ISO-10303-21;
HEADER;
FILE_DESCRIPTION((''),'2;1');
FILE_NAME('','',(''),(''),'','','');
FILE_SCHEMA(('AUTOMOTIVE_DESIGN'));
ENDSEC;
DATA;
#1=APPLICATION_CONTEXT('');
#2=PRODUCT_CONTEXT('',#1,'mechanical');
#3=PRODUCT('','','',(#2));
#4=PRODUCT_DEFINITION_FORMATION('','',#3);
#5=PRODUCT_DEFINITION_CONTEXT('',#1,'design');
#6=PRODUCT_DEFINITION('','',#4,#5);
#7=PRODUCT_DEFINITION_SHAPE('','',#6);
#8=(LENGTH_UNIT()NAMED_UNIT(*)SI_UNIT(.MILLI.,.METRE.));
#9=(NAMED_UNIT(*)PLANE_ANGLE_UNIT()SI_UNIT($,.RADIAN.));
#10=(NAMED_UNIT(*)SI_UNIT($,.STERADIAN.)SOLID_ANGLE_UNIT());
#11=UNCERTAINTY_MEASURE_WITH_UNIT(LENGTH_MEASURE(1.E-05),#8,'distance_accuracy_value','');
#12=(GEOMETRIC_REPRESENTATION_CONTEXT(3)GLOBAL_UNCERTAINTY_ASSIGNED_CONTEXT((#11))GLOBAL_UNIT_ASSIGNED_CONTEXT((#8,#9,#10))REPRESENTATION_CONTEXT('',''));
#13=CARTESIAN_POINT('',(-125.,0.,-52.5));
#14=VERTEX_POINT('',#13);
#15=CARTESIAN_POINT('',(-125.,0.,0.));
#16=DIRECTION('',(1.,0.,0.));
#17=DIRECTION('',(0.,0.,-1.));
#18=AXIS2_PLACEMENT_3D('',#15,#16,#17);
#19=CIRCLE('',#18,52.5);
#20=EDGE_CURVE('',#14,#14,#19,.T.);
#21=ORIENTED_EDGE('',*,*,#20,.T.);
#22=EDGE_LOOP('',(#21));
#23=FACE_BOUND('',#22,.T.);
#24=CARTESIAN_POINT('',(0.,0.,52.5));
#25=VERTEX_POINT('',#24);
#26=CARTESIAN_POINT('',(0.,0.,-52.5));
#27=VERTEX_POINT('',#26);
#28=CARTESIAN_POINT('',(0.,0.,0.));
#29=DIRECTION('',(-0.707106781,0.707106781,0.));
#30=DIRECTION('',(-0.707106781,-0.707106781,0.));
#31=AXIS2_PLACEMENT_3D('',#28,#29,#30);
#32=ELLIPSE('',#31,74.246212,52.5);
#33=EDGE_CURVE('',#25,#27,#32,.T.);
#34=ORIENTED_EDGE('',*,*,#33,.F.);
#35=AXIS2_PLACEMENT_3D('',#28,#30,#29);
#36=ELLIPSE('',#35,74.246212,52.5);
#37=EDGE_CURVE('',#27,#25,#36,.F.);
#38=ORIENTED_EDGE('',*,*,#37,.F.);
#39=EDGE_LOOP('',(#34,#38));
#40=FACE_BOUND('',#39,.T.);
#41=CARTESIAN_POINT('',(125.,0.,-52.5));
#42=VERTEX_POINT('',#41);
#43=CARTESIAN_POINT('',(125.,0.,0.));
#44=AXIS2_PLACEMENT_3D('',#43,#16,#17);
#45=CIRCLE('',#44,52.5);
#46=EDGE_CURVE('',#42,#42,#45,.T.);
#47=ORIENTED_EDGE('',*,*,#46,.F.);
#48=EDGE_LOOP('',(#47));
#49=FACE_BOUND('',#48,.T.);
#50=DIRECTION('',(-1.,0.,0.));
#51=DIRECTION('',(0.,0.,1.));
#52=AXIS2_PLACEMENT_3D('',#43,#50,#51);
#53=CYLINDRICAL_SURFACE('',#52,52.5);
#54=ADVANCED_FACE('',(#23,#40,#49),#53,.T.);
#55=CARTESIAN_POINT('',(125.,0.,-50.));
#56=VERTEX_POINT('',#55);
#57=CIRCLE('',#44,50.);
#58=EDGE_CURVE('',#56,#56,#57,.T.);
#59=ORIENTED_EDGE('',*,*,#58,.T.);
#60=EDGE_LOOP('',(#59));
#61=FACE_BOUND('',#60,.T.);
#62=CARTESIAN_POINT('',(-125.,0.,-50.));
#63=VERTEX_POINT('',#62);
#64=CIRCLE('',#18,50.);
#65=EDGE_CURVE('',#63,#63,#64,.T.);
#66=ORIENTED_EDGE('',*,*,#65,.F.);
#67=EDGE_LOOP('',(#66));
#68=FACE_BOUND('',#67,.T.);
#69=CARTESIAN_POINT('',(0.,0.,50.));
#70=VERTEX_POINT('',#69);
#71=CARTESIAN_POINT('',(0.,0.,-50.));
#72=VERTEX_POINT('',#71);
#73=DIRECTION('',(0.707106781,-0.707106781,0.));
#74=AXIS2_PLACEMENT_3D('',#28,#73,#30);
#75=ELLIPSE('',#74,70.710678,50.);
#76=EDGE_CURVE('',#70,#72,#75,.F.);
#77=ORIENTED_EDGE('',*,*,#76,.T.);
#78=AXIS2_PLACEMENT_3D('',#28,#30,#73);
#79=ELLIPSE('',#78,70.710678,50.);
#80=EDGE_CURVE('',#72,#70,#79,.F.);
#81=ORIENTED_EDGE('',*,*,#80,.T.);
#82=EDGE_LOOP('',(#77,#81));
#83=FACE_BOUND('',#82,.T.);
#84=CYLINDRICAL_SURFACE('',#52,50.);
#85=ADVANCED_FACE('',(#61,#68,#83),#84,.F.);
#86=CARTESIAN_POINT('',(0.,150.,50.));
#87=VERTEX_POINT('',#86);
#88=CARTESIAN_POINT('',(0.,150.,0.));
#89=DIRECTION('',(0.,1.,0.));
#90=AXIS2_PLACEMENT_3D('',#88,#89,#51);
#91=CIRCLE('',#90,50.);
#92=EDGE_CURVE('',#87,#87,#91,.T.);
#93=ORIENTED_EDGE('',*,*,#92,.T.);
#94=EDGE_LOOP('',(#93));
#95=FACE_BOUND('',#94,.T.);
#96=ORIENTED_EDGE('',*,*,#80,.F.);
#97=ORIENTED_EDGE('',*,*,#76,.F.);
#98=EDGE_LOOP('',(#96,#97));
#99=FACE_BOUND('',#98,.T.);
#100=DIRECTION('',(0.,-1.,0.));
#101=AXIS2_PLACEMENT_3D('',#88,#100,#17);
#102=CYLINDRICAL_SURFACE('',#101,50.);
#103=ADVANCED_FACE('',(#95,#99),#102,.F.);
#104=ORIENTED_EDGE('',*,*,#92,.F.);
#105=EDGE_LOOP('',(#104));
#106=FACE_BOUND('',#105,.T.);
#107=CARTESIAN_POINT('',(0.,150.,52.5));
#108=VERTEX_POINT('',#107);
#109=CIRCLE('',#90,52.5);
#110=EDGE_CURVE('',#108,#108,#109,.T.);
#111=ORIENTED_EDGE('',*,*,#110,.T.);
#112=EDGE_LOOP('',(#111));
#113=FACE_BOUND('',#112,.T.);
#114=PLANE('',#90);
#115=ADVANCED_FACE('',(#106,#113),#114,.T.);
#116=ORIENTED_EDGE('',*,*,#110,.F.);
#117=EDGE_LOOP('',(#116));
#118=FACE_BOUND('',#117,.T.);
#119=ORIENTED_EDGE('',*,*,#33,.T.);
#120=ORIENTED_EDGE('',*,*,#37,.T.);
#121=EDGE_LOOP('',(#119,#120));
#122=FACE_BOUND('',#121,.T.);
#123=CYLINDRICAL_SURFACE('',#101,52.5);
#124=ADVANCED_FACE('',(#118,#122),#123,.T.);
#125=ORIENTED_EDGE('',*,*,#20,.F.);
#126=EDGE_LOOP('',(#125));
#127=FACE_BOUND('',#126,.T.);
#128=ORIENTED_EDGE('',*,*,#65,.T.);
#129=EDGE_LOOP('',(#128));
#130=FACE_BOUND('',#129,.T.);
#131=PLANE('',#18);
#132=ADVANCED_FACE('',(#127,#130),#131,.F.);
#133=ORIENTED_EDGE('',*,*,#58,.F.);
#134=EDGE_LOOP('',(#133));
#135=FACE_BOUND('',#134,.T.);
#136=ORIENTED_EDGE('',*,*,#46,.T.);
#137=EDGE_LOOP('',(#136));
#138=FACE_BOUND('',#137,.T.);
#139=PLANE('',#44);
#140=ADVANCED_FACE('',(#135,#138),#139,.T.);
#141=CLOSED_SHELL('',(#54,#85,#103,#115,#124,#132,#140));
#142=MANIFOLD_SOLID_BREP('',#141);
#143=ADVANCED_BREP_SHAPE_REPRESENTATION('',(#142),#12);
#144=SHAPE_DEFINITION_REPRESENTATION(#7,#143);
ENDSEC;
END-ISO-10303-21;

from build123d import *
from build123d.topology import SkipClean

# Parameters (mm, degrees)
SKETCH1_R           = 52.5
SKETCH1_R_2         = 50
BOSS_EXTRUDE1_DEPTH = 125
SKETCH2_R           = 52.5
SKETCH2_R_2         = 50
BOSS_EXTRUDE2_DEPTH = 150
CUT_EXTRUDE1_REACH  = 245.696
SKETCH3_R           = 50
SKETCH6_R           = 50
CUT_EXTRUDE2_DEPTH  = 297.236814188


with BuildPart() as part:
    # Sketch1 → Boss-Extrude1 (new, symmetric)
    with BuildSketch(Plane(origin=(0, 0, 0), x_dir=(0, 0, -1), z_dir=(1, 0, 0))):
        Circle(SKETCH1_R)
        Circle(SKETCH1_R_2, mode=Mode.SUBTRACT)
    extrude(amount=BOSS_EXTRUDE1_DEPTH, both=True)

    # Sketch2 → Boss-Extrude2 (add)
    with BuildSketch(Plane(origin=(0, 0, 0), x_dir=(1, 0, 0), z_dir=(0, 1, 0))):
        with Locations(Location((0, 0, 0), (0, 0, 270))):
            Circle(SKETCH2_R)
        with Locations(Location((0, 0, 0), (0, 0, 90))):
            Circle(SKETCH2_R_2, mode=Mode.SUBTRACT)
    extrude(amount=BOSS_EXTRUDE2_DEPTH)

    # Sketch3 → Cut-Extrude1 (cut, up to next)
    with BuildSketch(Plane(origin=(0, 150, 0), x_dir=(1, 0, 0), z_dir=(0, 1, 0)), mode=Mode.PRIVATE) as cut_extrude1_sk1:
        with Locations(Location((0, 0, 0), (0, 0, 270))):
            Circle(SKETCH3_R)
    cut_extrude1_tool1 = extrude(cut_extrude1_sk1.sketch, amount=-CUT_EXTRUDE1_REACH, mode=Mode.PRIVATE) & part.part
    add(cut_extrude1_tool1.solids().sort_by_distance((0, 150, 0))[0], mode=Mode.SUBTRACT)

    # Sketch6 → Cut-Extrude2 (cut, through all)
    with SkipClean():  # the faces are left unmerged after this step: merging them gives an invalid solid
        with BuildSketch(Plane.ZY.offset(125)):
            with Locations(Location((0, 0, 0), (0, 0, 180))):
                Circle(SKETCH6_R)
        extrude(amount=-CUT_EXTRUDE2_DEPTH, mode=Mode.SUBTRACT)


solid = part.part
